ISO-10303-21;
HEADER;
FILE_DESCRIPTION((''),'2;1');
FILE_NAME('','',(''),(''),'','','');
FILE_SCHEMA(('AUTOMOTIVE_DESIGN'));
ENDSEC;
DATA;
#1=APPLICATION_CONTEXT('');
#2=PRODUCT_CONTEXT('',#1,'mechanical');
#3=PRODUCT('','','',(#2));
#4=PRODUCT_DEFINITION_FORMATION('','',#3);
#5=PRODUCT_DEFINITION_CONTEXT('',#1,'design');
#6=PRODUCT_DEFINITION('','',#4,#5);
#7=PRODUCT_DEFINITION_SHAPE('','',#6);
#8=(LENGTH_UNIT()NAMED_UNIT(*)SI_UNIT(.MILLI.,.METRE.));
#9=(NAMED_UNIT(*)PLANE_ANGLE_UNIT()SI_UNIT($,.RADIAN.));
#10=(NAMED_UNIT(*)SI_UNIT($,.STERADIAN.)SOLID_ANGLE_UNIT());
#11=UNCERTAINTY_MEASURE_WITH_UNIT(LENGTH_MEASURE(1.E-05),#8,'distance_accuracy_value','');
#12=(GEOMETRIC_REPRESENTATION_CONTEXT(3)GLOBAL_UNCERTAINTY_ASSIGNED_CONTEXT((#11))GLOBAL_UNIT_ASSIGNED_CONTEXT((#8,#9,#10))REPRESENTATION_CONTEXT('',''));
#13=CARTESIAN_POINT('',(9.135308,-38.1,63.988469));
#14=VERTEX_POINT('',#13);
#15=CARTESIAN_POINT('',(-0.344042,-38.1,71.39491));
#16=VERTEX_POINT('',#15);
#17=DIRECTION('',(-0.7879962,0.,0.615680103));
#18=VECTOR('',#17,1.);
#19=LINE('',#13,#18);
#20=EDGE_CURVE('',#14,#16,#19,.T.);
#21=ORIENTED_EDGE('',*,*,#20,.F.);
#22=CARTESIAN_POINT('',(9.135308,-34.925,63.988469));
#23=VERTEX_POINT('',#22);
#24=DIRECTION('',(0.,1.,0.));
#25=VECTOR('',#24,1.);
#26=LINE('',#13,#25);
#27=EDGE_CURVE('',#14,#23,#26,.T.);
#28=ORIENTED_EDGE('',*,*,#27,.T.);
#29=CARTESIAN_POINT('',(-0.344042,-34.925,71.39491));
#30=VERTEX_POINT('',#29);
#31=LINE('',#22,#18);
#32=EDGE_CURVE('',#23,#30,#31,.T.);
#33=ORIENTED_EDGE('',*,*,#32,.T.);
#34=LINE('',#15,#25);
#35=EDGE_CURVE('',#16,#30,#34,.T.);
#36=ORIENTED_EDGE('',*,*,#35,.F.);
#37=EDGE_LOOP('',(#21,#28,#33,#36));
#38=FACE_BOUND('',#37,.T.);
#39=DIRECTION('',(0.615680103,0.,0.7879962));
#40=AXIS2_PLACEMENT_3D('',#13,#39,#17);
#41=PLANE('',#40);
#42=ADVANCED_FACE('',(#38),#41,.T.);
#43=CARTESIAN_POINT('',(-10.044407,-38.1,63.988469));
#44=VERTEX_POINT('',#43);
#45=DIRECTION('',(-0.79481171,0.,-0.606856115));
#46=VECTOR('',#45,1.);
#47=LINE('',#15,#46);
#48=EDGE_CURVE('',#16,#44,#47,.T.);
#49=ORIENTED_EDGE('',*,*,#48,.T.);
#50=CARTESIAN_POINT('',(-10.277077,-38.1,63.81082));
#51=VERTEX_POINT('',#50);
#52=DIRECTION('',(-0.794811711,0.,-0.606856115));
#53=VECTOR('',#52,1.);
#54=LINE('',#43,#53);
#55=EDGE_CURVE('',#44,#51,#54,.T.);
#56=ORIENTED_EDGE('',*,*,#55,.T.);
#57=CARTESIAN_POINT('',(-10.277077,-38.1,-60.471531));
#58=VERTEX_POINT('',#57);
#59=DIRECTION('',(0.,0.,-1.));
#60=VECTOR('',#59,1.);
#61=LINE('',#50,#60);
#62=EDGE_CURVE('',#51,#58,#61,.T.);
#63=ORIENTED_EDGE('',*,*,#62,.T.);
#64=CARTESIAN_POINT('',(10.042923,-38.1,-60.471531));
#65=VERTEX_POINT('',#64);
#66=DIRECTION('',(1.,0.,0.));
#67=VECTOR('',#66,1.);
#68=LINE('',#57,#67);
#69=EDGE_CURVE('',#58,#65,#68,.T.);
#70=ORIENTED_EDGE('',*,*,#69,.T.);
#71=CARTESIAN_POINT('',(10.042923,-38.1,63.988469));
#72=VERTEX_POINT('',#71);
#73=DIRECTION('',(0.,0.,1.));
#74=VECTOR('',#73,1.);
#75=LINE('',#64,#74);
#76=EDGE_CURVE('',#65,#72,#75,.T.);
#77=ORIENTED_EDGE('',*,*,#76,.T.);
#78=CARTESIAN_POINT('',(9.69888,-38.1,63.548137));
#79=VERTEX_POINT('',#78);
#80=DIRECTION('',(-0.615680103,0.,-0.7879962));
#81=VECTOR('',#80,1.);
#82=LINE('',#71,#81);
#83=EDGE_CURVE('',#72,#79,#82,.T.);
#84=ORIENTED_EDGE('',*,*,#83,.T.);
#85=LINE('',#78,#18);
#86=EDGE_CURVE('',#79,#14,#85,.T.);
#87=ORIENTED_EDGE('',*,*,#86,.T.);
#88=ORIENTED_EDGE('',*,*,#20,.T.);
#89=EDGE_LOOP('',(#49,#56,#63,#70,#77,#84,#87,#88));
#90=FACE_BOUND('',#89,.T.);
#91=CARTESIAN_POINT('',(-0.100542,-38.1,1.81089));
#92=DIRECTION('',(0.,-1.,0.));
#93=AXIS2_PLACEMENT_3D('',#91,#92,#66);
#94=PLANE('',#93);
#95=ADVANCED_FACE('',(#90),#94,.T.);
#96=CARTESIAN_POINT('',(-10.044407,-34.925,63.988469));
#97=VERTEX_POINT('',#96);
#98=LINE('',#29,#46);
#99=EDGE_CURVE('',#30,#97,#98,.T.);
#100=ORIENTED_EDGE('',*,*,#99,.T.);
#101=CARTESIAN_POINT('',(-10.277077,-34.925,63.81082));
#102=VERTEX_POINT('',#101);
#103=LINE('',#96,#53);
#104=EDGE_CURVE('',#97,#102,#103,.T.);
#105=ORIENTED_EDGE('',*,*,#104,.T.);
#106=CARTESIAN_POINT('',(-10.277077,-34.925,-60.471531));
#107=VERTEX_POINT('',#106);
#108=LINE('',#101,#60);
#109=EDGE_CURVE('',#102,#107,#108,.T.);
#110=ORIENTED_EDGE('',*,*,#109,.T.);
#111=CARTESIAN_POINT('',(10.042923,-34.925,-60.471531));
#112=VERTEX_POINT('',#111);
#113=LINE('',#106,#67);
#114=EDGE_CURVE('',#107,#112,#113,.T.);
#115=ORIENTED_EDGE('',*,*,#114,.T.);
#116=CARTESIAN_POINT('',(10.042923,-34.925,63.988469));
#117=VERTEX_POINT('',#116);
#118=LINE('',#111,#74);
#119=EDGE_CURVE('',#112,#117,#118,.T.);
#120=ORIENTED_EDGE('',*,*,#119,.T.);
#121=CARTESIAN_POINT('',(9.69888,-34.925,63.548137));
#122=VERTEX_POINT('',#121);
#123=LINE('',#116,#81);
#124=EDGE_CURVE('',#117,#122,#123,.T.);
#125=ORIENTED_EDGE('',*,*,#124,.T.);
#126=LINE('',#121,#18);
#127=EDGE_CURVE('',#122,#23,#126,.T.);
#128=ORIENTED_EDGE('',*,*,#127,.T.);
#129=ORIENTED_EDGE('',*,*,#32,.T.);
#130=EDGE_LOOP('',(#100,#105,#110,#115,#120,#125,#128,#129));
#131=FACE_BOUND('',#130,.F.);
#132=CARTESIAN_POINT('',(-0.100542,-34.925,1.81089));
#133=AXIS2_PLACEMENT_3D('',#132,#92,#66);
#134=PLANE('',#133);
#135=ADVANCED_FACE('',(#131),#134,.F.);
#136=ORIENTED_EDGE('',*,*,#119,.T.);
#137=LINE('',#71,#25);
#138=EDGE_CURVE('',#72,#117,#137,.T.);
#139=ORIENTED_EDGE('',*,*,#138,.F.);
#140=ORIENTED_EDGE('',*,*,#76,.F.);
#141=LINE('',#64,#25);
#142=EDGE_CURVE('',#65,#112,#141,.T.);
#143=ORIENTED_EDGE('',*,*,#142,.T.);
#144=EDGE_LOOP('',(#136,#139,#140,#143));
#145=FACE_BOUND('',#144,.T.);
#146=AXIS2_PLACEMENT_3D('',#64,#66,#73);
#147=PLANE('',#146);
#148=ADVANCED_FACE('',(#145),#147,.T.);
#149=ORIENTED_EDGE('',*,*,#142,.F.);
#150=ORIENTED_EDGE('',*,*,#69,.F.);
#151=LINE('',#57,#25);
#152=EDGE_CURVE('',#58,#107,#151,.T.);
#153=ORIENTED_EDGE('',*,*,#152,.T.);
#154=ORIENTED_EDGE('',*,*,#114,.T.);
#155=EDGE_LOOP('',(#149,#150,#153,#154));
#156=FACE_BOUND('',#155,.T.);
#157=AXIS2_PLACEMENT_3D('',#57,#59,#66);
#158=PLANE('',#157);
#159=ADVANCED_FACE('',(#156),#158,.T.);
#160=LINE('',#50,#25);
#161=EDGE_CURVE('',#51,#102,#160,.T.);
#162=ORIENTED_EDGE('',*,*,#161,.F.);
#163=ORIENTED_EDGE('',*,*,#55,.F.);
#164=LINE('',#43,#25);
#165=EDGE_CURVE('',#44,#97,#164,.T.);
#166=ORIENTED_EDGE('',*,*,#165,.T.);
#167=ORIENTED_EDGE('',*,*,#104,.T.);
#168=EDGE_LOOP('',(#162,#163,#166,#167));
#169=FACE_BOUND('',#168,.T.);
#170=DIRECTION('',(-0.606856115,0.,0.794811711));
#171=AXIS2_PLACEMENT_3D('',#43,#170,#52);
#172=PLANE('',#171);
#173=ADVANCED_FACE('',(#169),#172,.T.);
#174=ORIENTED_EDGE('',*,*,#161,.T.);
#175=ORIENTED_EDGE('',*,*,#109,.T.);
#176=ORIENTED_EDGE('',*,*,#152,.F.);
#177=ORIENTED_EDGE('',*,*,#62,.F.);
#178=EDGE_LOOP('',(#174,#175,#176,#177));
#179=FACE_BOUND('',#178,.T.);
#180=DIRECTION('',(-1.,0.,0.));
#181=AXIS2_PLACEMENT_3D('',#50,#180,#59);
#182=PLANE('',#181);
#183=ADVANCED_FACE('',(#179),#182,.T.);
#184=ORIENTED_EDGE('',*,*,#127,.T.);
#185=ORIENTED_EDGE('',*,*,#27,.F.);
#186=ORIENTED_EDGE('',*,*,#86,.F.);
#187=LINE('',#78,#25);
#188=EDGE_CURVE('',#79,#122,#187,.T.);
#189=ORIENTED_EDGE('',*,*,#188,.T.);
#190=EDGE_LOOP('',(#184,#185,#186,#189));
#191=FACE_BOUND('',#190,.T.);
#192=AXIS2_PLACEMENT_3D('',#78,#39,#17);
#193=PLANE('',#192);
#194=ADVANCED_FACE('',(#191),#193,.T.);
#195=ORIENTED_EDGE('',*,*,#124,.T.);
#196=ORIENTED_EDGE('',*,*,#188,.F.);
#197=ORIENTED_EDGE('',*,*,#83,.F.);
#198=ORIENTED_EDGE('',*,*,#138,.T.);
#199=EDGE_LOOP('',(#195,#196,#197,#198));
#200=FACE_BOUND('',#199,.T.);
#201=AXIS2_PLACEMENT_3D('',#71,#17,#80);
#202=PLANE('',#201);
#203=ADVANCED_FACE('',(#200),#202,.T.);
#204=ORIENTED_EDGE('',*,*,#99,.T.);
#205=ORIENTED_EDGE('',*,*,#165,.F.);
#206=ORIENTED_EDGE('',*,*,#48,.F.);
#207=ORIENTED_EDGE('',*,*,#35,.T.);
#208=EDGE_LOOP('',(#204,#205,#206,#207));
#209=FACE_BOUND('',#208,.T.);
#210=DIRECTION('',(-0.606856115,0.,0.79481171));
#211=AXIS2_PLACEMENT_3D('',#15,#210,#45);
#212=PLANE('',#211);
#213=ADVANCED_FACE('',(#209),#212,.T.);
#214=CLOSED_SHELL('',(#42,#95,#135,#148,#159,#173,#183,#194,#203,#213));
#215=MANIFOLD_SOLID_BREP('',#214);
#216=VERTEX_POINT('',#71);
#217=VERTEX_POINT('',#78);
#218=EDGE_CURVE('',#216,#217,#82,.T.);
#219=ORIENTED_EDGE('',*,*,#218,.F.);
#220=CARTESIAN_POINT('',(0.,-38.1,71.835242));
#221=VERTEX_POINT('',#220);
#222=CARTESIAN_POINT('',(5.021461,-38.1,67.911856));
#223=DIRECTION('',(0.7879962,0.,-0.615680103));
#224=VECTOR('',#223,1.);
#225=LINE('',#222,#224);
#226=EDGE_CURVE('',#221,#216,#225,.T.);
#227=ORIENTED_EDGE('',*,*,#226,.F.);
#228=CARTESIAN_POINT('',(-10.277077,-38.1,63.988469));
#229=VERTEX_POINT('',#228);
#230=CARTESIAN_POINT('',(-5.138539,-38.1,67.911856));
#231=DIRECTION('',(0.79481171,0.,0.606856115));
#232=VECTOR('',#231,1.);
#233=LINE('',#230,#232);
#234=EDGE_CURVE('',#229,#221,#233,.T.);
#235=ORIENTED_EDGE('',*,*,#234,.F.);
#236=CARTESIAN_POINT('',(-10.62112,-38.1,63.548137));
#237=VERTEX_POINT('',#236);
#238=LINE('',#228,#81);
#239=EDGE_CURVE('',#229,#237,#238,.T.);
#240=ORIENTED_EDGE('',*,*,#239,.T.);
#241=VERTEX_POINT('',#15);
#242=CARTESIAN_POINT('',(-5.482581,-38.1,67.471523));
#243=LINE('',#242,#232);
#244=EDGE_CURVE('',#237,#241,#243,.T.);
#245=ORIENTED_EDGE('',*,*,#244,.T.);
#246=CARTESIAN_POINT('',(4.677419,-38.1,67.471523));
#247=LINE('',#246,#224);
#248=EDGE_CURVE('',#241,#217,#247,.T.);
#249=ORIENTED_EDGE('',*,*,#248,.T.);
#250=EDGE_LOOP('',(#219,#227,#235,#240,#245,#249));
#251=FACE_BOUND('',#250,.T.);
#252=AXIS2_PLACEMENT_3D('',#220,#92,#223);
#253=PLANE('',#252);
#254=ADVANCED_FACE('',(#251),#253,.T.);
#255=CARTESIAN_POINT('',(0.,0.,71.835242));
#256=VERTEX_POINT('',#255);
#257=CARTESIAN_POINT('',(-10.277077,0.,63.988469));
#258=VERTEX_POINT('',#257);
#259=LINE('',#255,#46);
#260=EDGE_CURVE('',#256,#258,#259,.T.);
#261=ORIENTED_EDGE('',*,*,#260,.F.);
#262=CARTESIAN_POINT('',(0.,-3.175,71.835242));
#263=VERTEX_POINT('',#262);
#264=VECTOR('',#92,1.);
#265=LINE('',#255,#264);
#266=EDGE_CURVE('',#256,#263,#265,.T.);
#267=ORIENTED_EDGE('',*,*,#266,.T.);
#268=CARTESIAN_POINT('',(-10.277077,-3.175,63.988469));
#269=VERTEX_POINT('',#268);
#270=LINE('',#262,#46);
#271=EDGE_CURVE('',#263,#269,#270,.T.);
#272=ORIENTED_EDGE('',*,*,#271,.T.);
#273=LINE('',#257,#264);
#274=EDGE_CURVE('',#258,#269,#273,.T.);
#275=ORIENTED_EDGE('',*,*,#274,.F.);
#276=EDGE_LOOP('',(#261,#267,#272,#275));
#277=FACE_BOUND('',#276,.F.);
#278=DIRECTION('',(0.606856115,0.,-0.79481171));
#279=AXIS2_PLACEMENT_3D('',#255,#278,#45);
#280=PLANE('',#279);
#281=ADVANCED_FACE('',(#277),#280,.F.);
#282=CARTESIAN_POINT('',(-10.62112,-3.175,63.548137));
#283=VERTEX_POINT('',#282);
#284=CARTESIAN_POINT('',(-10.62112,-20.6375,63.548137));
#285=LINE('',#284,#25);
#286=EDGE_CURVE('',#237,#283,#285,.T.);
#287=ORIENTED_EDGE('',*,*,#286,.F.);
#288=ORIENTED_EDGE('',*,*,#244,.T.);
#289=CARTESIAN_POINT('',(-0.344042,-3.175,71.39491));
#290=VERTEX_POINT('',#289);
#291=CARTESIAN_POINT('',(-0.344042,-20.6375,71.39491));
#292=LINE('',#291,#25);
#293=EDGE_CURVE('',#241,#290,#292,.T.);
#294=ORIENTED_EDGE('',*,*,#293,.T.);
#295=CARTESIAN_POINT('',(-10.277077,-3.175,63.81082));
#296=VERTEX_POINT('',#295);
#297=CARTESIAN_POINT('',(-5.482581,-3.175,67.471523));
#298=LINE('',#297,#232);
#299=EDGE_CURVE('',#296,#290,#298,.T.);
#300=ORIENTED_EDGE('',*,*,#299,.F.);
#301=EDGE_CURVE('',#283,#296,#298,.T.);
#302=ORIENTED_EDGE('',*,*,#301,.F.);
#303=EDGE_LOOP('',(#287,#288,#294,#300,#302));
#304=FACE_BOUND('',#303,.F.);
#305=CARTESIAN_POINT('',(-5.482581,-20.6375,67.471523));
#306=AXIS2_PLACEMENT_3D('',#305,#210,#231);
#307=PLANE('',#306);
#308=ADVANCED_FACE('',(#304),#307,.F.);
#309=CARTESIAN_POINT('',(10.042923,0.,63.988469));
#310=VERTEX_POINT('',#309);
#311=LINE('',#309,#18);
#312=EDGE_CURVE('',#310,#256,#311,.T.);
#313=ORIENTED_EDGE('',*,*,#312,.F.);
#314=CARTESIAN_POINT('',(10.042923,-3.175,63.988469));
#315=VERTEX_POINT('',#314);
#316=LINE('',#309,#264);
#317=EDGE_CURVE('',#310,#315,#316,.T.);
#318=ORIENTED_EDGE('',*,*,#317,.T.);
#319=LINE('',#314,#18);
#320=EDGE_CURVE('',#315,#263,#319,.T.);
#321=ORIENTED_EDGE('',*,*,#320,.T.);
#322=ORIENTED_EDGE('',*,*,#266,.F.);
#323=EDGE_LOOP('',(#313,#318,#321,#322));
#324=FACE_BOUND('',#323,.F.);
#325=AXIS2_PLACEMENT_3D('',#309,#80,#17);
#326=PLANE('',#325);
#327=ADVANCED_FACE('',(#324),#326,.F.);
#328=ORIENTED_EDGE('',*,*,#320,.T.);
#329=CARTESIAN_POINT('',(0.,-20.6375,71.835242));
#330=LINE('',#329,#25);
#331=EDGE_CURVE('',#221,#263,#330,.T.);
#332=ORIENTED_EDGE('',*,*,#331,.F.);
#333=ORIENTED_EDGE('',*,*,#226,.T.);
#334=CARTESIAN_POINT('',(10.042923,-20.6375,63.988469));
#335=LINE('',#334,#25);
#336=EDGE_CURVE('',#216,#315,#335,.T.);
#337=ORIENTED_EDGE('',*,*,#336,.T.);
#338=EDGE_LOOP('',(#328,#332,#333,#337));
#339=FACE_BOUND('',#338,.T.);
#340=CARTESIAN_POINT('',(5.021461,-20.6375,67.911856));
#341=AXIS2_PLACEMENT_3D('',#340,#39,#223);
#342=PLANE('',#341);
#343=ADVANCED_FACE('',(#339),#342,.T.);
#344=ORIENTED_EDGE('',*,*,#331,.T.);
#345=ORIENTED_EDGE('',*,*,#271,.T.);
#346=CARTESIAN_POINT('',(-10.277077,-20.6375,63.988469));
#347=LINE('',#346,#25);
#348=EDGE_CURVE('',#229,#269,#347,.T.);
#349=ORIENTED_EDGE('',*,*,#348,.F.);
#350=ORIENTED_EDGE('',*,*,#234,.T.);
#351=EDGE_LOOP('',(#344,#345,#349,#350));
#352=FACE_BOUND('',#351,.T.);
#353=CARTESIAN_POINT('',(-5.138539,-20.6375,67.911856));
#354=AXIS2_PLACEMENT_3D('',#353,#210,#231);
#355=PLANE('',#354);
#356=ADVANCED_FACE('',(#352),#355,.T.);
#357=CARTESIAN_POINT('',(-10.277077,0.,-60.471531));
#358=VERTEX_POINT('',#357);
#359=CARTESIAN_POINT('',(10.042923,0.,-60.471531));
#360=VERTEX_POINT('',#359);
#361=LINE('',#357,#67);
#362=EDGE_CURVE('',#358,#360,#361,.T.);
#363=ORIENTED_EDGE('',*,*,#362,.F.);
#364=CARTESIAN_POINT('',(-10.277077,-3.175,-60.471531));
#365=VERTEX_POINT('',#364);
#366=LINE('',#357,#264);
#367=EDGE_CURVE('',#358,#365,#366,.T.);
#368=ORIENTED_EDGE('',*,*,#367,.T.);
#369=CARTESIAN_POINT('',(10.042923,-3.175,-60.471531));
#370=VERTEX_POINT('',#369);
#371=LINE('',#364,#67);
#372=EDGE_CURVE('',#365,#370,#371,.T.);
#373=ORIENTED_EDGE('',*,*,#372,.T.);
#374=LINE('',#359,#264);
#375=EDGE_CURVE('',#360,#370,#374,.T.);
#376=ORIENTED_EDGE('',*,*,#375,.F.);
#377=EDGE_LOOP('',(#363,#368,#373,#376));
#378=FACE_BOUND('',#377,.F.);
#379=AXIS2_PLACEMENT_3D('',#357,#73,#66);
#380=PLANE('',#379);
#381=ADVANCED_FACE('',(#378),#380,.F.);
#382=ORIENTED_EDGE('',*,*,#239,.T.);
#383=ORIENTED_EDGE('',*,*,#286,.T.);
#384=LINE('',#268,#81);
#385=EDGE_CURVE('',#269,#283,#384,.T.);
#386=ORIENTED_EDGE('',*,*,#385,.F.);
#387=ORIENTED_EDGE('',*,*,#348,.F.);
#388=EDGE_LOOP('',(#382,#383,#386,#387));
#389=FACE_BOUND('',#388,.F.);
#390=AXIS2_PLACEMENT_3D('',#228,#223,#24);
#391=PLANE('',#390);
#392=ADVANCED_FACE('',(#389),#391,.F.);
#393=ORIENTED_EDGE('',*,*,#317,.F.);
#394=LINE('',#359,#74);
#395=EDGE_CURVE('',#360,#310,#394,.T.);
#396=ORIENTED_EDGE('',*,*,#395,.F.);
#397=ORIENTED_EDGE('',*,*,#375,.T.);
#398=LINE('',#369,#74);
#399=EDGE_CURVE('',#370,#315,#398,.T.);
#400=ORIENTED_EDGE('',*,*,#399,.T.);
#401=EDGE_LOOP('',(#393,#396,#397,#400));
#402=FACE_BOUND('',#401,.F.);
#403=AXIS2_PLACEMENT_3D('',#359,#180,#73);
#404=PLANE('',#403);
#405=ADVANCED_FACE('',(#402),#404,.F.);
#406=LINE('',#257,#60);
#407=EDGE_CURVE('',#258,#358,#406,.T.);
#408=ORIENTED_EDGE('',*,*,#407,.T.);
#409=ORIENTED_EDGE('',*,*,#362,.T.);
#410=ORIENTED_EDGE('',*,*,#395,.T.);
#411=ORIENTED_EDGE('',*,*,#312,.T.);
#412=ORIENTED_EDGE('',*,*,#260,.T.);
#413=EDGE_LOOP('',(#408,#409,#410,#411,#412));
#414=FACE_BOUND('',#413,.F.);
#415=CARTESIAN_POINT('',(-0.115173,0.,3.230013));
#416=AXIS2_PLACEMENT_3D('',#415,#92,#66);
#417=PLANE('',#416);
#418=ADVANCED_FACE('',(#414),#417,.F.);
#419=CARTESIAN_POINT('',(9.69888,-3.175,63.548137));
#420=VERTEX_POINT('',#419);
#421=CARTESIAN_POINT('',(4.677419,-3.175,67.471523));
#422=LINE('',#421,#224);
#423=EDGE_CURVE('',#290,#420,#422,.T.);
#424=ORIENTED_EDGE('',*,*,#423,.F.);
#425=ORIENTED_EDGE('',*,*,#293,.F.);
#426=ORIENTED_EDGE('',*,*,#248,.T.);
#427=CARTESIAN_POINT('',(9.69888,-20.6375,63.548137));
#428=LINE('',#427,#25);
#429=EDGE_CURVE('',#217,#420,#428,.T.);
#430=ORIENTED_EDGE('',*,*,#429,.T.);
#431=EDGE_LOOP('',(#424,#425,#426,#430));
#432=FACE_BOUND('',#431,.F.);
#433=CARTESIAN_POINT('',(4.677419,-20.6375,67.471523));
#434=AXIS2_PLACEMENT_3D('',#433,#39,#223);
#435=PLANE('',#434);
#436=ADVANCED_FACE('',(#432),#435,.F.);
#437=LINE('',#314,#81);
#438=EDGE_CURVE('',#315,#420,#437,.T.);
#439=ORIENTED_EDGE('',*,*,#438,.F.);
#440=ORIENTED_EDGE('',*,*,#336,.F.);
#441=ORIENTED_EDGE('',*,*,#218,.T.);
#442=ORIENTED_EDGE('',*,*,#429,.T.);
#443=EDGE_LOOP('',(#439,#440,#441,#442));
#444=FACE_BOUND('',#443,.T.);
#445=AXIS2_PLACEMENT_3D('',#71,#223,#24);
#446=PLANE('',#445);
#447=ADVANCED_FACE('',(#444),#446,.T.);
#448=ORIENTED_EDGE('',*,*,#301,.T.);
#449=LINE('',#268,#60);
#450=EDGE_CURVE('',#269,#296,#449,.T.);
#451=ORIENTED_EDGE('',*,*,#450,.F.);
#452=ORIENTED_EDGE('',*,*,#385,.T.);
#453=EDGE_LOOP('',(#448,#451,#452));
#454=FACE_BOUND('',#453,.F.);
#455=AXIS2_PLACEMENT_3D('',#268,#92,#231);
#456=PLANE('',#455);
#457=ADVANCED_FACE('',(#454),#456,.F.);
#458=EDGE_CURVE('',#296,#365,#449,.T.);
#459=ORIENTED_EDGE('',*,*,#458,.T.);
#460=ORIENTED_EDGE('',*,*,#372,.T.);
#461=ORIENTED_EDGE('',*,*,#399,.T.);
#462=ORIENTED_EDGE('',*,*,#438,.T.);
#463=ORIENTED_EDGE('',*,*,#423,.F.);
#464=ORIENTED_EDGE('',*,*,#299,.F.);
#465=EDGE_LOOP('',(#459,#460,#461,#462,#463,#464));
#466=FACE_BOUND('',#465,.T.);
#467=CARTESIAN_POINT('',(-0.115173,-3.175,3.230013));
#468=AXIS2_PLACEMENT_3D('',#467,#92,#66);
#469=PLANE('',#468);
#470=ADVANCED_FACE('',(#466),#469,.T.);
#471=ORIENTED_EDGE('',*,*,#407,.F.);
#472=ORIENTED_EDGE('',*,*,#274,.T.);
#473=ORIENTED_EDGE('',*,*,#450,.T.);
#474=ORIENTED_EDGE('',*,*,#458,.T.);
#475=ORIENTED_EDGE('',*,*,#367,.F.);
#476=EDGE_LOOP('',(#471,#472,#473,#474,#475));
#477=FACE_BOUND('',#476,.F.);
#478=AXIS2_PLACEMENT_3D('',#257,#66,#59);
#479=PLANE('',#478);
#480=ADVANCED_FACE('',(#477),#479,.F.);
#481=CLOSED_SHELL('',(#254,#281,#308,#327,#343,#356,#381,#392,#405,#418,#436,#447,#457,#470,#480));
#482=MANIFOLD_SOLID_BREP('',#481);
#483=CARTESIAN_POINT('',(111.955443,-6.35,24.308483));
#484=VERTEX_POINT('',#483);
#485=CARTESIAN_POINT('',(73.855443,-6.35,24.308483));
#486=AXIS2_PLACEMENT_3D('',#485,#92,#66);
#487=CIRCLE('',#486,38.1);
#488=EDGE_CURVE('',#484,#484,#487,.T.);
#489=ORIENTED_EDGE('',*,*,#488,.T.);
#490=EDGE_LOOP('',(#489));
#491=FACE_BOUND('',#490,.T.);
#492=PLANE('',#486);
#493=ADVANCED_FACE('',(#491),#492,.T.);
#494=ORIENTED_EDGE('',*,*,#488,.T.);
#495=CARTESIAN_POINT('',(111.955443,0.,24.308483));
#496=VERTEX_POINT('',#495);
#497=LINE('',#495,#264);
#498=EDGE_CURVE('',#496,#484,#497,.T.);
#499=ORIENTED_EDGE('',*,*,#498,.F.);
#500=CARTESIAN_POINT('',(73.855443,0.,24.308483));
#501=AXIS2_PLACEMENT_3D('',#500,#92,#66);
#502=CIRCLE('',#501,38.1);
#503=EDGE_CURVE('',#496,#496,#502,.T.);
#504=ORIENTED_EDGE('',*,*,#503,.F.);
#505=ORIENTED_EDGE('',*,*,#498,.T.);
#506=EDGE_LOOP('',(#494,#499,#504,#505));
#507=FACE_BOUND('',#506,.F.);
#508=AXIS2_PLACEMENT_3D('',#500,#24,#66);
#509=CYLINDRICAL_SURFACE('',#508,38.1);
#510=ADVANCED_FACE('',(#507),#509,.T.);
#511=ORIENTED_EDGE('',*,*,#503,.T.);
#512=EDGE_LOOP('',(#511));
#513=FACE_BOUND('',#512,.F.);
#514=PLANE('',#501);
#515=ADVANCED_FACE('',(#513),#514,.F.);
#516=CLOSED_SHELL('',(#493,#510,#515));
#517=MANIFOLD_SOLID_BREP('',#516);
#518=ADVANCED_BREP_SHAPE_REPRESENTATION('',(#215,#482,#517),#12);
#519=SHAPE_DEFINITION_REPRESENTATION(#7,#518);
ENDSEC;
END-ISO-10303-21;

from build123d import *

# Parameters (mm, degrees)
F1_DEPTH = 3.175
F2_W     = 12.7448869769
F2_H     = 34.925
F3_W     = 12.930203917
F3_H     = 34.925
F4_DEPTH = 0.5588
F6_DEPTH = 3.175
F7_R     = 38.1
F8_DEPTH = 6.35


with BuildPart() as f1:
    # F0 (on Front) → F1 (new body)
    with BuildSketch(Plane.XZ):
        Polygon((-10.2770774922, 63.9884688905), (-10.2770774922, -60.4715311095), (10.0429225078, -60.4715311095), (10.0429225078, 63.9884688905), (0, 71.8352422118), align=None)
    extrude(amount=F1_DEPTH)

    # F2 (on face) + F3 (on face) → F4 (join)
    with BuildSketch(Plane(origin=(34.8511250209, 0, 44.6052324395), x_dir=(0.7879962, 0, -0.6156801026), z_dir=(0.6156801026, 0, 0.7879962))):
        with Locations((-37.8550858053, -20.6375)):
            Rectangle(F2_W, F2_H)
    with BuildSketch(Plane(origin=(-34.6487483252, 0, 45.380165447), x_dir=(0.7948117105, 0, 0.6068561155), z_dir=(-0.6068561155, 0, 0.7948117105))):
        with Locations((37.1285540838, -20.6375)):
            Rectangle(F3_W, F3_H)
    extrude(amount=-F4_DEPTH, dir=(0.6156801026, 0, 0.7879962))


with BuildPart() as f6:
    # F5 (on face) → F6 (new body)
    with BuildSketch(Plane.XZ.offset(38.1)):
        Polygon((9.1353083139, 63.9884688905), (-10.0444074579, 63.9884688905), (-10.2770774922, 63.8108202332), (-10.2770774922, -60.4715311095), (10.0429225078, -60.4715311095), (10.0429225078, 63.9884688905), (9.6988804665, 63.5481366139), align=None)
        Polygon((-0.3440420413, 71.3949099352), (-10.0444074579, 63.9884688905), (9.1353083139, 63.9884688905), align=None)
    extrude(amount=-F6_DEPTH)


with BuildPart() as f8:
    # F7 (on Front) → F8 (new body)
    with BuildSketch(Plane.XZ):
        with Locations((73.8554428822, 24.3084832607)):
            Circle(F7_R)
    extrude(amount=F8_DEPTH)


solid = Compound([f1.part, f6.part, f8.part])
